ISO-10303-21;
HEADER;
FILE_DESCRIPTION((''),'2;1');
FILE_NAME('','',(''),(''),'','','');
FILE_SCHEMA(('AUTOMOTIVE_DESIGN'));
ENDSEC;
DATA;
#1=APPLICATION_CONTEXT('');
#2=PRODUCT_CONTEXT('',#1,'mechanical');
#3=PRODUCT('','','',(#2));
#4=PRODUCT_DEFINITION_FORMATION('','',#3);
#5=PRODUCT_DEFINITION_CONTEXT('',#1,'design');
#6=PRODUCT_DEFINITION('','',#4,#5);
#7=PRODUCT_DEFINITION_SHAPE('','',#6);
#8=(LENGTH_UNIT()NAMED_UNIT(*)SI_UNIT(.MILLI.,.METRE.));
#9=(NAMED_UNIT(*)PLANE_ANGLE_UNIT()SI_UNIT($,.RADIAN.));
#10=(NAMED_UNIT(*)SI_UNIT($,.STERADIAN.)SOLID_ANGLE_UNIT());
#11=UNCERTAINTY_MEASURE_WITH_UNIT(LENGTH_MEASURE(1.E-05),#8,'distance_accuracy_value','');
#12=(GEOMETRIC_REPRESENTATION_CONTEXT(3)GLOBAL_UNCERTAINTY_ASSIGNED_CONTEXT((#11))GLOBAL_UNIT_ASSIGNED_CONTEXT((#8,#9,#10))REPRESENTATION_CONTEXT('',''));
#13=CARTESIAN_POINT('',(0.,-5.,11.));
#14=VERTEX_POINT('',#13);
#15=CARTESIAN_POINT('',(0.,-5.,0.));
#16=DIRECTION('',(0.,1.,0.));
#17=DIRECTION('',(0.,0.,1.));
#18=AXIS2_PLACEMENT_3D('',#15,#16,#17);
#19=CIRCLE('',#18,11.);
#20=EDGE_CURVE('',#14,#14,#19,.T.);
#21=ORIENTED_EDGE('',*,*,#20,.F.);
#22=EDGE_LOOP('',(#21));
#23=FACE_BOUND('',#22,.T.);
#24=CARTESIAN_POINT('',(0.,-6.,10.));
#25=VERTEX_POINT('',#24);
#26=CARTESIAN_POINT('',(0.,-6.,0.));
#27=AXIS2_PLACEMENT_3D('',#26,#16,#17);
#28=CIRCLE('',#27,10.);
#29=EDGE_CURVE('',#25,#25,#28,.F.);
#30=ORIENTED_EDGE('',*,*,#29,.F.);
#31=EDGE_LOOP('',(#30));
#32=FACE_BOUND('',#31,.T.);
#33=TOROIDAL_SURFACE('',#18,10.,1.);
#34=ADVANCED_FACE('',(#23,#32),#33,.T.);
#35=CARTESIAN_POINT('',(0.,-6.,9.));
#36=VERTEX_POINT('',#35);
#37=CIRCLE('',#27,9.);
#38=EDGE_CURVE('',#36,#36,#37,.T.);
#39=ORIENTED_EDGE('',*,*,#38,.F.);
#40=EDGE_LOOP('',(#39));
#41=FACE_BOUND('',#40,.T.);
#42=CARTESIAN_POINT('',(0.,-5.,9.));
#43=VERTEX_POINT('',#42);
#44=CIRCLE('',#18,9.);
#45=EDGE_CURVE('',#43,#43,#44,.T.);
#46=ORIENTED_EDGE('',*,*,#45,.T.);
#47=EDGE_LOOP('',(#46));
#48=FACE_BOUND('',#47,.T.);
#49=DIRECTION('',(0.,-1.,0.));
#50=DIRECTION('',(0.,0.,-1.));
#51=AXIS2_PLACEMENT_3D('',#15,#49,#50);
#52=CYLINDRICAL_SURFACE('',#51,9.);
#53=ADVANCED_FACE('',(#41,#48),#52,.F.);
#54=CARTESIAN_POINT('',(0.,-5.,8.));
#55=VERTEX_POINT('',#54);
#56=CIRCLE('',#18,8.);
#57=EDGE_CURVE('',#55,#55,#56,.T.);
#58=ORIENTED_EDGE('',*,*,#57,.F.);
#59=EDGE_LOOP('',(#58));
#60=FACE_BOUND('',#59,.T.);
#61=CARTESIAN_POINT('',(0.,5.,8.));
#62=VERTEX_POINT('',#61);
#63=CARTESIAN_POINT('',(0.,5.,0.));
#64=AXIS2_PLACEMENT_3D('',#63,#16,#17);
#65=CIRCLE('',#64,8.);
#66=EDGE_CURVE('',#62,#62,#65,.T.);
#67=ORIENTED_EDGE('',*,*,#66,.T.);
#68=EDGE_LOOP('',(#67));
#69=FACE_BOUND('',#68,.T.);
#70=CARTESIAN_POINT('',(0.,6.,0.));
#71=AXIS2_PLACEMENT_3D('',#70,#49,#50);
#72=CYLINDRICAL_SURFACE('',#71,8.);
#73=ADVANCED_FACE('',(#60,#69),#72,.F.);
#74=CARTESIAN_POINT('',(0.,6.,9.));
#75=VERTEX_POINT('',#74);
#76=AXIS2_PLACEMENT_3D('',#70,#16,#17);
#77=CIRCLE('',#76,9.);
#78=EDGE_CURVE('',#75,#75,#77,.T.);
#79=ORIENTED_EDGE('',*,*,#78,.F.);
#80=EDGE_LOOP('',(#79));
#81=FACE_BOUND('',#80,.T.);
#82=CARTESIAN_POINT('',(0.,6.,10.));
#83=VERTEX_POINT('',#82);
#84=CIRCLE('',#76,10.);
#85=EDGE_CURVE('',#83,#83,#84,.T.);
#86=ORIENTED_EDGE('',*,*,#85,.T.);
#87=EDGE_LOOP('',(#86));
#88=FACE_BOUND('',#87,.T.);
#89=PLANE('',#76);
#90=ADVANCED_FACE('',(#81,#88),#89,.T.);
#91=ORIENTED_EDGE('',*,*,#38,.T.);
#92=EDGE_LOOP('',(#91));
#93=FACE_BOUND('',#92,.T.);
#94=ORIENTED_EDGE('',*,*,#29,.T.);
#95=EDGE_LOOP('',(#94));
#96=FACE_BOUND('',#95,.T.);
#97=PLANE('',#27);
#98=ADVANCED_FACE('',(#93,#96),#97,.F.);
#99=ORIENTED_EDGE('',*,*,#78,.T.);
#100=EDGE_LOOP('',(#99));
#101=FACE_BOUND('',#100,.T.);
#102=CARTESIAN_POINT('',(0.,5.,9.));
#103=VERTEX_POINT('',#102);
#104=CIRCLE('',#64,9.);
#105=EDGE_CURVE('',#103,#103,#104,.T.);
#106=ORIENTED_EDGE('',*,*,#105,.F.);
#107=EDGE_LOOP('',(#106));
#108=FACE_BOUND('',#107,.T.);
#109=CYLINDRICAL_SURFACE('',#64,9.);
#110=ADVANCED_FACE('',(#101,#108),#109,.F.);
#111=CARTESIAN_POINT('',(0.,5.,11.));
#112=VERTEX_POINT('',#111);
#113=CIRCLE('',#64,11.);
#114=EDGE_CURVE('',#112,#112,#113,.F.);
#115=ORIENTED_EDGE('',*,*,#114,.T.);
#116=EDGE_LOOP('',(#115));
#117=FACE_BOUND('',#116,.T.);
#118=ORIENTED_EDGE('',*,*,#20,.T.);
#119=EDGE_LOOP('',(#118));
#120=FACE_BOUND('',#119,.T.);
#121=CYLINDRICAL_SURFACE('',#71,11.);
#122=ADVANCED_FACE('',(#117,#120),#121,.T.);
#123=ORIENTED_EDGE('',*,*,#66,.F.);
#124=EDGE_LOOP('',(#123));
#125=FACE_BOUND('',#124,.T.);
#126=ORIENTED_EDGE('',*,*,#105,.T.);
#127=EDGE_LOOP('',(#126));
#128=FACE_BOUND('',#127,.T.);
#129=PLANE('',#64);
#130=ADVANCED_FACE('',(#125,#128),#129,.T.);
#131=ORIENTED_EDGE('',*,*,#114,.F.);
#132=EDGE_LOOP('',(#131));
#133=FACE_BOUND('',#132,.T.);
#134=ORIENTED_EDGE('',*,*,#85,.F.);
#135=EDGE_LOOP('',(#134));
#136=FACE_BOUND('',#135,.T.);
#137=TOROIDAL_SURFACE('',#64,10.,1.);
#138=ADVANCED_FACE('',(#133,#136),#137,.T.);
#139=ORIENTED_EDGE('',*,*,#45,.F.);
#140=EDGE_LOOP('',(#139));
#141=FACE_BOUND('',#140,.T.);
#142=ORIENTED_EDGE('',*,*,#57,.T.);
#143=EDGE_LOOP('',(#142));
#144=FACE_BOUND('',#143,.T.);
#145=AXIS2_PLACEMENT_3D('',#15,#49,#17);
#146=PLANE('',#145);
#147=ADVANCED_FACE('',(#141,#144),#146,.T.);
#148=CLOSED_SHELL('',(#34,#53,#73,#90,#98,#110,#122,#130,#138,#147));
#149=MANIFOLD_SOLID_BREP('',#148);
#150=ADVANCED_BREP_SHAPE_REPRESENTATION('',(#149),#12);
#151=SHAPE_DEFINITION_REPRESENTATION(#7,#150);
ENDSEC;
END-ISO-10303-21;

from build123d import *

# Parameters (mm, degrees)
SKETCH1_R           = 11
SKETCH1_R_2         = 8
BOSS_EXTRUDE1_DEPTH = 6
FILLET1_R           = 1
CUT_EXTRUDE1_START  = -1
SKETCH2_R           = 9
SKETCH2_R_2         = 8
CUT_EXTRUDE1_DEPTH  = 1


with BuildPart() as part:
    # Sketch1 → Boss-Extrude1 (new, symmetric)
    with BuildSketch(Plane(origin=(0, 0, 0), x_dir=(1, 0, 0), z_dir=(0, 1, 0))):
        with Locations(Location((0, 0, 0), (0, 0, 270))):
            Circle(SKETCH1_R)
        with Locations(Location((0, 0, 0), (0, 0, 270))):
            Circle(SKETCH1_R_2, mode=Mode.SUBTRACT)
    extrude(amount=BOSS_EXTRUDE1_DEPTH, both=True)

    # Fillet1
    fillet1_edges = [part.edges().sort_by_distance(p)[0] for p in [
        (0, -6, -11),
        (0, 6, -11),
    ]]
    fillet(fillet1_edges, radius=FILLET1_R)

    # Sketch2 → Cut-Extrude1 (cut)
    with BuildSketch(Plane(origin=(0, 6, 0), x_dir=(1, 0, 0), z_dir=(0, 1, 0)).offset(CUT_EXTRUDE1_START)):
        with Locations(Location((0, 0, 0), (0, 0, 270))):
            Circle(SKETCH2_R)
        with Locations(Location((0, 0, 0), (0, 0, 270))):
            Circle(SKETCH2_R_2, mode=Mode.SUBTRACT)
    cut_extrude1 = extrude(amount=CUT_EXTRUDE1_DEPTH, mode=Mode.SUBTRACT)

    # Mirror1: Cut-Extrude1 across plane
    add(cut_extrude1.mirror(Plane.ZX), mode=Mode.SUBTRACT)


solid = part.part
